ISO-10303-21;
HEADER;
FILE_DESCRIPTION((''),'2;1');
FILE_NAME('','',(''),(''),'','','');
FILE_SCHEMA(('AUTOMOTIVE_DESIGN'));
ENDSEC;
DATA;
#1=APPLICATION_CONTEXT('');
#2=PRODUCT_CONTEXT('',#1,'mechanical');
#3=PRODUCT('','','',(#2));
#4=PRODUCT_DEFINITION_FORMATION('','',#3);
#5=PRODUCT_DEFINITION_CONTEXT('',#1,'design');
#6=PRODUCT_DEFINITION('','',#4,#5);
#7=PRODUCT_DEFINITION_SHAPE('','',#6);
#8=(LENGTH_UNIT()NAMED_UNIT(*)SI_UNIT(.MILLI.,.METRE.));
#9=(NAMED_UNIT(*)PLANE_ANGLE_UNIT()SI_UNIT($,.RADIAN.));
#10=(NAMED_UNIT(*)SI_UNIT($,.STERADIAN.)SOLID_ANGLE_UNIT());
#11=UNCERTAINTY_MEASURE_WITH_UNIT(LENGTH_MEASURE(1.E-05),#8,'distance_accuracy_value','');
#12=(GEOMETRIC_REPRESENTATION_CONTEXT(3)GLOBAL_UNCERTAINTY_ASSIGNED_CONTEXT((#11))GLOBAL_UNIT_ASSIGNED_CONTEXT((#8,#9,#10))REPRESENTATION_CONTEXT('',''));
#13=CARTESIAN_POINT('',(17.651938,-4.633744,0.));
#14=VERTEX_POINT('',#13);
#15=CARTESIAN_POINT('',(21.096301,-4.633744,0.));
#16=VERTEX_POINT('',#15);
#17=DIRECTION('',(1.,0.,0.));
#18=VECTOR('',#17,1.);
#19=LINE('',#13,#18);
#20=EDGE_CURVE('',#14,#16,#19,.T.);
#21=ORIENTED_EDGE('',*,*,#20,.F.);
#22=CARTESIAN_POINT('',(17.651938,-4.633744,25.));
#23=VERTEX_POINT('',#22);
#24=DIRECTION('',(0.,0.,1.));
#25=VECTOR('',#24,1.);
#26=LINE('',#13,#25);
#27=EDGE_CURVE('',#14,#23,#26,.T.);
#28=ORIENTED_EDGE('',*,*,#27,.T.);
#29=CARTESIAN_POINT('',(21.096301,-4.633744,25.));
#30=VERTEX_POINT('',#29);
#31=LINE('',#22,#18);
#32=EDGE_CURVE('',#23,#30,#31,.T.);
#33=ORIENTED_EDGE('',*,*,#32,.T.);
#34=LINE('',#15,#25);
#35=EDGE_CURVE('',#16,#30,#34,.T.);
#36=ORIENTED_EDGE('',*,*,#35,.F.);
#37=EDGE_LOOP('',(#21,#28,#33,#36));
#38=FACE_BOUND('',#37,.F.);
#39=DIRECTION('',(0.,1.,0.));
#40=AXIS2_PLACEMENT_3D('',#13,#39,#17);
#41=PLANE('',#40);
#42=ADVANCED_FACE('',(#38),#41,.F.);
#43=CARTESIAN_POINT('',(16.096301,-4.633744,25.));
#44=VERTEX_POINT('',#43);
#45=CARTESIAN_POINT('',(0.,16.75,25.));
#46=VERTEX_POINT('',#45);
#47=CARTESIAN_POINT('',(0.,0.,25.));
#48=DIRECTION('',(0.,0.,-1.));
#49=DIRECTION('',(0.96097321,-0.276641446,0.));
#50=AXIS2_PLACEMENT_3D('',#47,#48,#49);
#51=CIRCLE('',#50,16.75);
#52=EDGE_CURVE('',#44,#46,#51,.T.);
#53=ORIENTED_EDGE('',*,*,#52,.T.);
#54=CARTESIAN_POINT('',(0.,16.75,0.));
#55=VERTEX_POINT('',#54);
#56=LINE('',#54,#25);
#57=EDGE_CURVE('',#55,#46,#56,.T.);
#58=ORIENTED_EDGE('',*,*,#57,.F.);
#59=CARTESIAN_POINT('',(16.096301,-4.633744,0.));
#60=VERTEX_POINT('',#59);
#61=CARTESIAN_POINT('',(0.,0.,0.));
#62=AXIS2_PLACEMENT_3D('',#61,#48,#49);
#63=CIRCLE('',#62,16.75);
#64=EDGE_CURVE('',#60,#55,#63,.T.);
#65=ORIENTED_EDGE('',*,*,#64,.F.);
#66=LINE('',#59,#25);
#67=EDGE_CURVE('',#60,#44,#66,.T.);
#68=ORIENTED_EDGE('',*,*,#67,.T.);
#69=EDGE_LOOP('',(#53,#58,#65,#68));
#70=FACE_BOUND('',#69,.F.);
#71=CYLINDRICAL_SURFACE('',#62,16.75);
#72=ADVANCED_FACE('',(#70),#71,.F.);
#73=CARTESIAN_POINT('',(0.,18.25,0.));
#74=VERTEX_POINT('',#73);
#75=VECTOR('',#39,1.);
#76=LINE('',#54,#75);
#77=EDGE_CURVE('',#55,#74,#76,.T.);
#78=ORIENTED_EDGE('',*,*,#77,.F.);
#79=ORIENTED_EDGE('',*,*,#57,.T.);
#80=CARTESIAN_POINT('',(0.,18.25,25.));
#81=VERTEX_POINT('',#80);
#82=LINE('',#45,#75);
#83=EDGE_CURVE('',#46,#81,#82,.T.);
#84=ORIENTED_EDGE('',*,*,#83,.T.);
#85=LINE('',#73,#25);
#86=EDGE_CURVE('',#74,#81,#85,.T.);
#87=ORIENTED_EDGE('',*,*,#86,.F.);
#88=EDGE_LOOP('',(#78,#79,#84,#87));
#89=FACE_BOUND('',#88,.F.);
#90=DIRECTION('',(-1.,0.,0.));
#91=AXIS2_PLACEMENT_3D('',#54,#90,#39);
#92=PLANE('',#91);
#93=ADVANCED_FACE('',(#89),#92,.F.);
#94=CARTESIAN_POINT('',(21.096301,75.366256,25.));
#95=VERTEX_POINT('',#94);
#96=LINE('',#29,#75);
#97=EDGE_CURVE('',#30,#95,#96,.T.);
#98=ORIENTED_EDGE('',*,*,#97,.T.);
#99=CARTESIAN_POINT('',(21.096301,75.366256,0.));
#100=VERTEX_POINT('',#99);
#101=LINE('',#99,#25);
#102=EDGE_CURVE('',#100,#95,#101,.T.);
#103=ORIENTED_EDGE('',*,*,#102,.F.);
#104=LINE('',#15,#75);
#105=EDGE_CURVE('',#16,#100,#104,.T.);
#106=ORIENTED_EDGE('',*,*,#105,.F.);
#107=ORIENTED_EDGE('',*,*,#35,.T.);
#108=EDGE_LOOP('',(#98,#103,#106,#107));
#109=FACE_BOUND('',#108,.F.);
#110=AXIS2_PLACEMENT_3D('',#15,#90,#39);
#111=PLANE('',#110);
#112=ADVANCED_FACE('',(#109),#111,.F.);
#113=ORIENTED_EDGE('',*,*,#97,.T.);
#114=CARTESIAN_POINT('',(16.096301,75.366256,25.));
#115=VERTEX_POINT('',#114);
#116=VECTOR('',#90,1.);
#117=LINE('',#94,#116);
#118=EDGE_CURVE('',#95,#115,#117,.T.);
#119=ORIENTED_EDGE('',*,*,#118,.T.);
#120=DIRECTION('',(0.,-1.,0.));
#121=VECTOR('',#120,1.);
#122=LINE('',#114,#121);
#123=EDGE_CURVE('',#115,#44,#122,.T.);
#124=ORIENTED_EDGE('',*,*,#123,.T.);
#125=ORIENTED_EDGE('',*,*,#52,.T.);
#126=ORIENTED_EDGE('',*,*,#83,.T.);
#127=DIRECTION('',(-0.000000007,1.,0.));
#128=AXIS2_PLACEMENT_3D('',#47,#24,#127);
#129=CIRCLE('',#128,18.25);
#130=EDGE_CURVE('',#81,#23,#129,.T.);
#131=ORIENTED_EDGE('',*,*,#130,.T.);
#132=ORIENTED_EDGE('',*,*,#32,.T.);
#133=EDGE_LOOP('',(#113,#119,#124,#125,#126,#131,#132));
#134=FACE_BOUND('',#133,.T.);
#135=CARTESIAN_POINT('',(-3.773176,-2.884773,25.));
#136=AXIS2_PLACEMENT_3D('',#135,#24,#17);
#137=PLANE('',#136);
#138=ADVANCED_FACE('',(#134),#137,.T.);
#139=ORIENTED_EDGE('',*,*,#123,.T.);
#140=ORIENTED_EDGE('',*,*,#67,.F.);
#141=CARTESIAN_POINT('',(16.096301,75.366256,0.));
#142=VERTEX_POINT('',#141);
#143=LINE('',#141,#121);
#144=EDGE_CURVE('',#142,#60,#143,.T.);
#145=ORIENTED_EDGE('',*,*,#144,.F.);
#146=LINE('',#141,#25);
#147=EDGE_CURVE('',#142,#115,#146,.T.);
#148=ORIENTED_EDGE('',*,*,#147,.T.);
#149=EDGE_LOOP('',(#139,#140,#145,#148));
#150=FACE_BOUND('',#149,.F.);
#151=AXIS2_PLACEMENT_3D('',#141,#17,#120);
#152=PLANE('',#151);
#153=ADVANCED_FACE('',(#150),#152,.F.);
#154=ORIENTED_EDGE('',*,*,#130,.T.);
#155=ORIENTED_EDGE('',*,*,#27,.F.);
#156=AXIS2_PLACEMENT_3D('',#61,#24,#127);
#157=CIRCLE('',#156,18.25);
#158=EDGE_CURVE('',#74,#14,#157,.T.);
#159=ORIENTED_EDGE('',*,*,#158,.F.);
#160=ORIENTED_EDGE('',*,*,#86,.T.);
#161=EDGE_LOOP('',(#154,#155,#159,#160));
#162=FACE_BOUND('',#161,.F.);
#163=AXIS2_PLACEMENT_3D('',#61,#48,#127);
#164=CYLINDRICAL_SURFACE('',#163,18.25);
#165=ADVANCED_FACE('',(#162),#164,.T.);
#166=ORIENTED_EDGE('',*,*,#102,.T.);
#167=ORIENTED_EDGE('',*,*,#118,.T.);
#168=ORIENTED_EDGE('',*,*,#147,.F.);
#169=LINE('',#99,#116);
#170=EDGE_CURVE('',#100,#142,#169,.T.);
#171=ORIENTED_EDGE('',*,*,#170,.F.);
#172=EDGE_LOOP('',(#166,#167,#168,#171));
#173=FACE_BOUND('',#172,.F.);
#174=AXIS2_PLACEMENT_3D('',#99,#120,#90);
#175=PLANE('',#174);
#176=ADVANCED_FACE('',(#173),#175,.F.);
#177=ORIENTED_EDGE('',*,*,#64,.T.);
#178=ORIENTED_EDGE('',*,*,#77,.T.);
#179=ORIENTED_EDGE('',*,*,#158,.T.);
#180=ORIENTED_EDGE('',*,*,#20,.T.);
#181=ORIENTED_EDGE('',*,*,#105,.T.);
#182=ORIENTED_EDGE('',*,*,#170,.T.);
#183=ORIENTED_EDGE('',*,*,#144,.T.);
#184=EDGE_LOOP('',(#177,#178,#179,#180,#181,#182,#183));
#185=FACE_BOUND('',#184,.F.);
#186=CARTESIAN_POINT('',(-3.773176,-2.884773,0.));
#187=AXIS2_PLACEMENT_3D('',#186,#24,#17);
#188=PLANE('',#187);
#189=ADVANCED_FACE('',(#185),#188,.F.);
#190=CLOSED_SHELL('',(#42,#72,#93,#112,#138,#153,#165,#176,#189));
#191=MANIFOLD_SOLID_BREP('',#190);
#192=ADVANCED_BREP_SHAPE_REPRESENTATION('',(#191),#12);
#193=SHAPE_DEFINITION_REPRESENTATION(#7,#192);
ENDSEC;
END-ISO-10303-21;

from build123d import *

# Parameters (mm, degrees)
F1_DEPTH = 25


with BuildPart() as f1:
    # F0 (on Top) → F1 (new body)
    with BuildSketch(Plane.XY):
        with BuildLine():
            ThreePointArc((16.096301, -4.633744), (-13.382408, -10.073413), (0, 16.75))
            Line((0, 16.75), (0, 18.25))
            ThreePointArc((0, 18.25), (-14.450403, -11.146674), (17.651938, -4.633744))
            Line((17.651938, -4.633744), (16.096301, -4.633744))
        make_face()
        Polygon((16.096301, 75.366256), (16.096301, -4.633744), (17.651938, -4.633744), (21.096301, -4.633744), (21.096301, 75.366256), align=None)
    extrude(amount=F1_DEPTH)


solid = f1.part
